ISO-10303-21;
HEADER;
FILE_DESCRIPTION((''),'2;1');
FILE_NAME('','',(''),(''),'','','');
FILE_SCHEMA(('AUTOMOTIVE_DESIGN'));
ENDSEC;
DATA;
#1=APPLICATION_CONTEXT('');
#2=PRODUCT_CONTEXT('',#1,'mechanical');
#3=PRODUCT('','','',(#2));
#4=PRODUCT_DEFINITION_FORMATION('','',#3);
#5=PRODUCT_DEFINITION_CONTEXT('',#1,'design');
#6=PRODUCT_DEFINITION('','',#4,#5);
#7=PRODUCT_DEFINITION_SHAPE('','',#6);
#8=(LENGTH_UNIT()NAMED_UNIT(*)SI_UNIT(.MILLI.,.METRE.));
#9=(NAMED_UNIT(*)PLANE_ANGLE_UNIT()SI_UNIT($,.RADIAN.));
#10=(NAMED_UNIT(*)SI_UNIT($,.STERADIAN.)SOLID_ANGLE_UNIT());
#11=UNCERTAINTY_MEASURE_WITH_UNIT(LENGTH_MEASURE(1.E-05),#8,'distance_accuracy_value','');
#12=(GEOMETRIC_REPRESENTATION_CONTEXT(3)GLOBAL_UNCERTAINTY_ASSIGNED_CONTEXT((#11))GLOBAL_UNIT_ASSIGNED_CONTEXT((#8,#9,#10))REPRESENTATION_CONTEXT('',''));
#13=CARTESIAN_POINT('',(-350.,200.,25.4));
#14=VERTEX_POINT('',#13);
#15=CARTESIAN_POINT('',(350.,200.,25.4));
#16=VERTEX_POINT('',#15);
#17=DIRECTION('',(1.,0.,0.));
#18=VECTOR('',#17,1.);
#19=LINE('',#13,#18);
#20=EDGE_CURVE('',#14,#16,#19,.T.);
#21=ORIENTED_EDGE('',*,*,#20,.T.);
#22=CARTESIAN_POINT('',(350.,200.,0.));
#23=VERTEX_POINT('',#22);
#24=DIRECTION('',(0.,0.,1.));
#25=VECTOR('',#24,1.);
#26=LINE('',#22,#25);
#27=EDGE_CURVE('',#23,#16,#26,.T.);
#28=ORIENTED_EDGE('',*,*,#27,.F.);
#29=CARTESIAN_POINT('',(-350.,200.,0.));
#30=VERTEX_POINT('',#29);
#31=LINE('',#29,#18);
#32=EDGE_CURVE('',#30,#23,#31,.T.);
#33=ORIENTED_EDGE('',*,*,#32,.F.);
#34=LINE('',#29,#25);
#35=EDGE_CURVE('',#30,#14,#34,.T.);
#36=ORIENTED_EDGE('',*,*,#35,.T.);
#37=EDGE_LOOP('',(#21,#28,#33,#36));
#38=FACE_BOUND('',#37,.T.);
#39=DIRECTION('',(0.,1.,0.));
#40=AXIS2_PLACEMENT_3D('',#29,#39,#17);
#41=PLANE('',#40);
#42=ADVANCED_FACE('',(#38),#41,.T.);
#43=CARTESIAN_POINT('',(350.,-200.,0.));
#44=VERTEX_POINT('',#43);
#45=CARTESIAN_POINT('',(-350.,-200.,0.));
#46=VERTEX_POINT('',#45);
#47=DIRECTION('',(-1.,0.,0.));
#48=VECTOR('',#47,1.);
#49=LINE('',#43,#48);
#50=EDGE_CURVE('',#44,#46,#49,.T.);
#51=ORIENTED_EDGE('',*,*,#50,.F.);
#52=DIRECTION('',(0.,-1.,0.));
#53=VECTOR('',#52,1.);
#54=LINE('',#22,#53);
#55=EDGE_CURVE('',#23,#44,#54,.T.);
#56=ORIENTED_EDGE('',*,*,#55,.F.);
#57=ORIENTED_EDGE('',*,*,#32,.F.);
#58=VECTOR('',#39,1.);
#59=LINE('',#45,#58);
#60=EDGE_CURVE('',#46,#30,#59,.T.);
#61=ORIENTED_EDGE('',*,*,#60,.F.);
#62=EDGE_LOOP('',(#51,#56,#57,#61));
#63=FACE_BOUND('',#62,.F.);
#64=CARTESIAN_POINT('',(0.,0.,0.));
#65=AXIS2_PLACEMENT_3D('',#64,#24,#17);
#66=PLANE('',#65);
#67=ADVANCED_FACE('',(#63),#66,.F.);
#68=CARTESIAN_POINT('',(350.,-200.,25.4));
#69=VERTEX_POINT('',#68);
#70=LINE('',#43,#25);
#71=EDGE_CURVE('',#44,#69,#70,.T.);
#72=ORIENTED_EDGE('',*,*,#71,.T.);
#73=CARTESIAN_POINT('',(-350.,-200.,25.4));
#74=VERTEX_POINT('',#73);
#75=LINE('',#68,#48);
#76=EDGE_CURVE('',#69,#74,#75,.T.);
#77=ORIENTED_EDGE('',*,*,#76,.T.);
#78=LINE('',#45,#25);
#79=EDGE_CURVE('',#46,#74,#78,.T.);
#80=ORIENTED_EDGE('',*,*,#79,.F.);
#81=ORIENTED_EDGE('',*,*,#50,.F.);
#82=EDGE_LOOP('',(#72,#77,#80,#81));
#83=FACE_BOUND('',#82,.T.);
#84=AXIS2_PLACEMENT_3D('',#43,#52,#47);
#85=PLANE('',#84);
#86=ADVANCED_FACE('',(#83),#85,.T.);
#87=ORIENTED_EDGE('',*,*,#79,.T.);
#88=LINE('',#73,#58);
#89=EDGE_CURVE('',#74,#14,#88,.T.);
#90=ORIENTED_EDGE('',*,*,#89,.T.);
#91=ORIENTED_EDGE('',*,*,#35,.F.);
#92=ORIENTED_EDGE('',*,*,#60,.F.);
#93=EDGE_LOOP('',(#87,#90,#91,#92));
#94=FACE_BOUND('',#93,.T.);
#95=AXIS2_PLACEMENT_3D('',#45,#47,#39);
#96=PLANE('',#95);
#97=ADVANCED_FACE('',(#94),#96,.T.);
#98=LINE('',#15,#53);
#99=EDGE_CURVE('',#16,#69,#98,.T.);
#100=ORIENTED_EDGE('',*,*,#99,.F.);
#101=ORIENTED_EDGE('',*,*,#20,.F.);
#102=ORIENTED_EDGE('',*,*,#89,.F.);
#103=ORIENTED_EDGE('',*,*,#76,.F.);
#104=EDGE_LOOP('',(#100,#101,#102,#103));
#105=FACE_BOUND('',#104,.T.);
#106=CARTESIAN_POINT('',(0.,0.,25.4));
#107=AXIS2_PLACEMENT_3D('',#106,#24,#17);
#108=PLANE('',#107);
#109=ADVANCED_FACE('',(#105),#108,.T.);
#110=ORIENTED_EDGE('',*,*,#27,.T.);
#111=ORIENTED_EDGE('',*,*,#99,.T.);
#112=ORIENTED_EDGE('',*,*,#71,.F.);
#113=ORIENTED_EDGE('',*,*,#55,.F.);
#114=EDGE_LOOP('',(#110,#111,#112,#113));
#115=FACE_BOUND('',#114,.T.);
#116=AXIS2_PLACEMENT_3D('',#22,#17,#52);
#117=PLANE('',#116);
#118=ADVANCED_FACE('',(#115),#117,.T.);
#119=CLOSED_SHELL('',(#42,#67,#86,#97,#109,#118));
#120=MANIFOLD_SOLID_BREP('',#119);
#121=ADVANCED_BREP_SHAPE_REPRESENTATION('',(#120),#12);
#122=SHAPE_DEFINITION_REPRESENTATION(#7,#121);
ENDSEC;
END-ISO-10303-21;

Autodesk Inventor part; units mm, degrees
ref_plane "YZ Plane" through (0, 0, 0) normal (1, 0, 0) x (0, 1, 0)
ref_plane "XZ Plane" through (0, 0, 0) normal (0, 1, 0) x (-1, 0, 0)
ref_plane "XY Plane" through (0, 0, 0) normal (0, 0, 1) x (1, 0, 0)
sketch "Sketch1" plane through (0, 0, 0) normal (0, 0, 1) x (1, 0, 0)
  line L0 (350, -200) -> (-350, -200)
  line L1 (-350, -200) -> (-350, 200)
  line L2 (-350, 200) -> (350, 200)
  line L3 (350, 200) -> (350, -200)
  line L4 (350, -200) -> (-350, 200) construction
  line L5 (-350, -200) -> (350, 200) construction
  point P0 (0, 0)
  dimension "d0" = 700
  dimension "d1" = 400
extrude "Extrusion1" add sketch "Sketch1" along normal blind 25.4
properties part number "Base"
